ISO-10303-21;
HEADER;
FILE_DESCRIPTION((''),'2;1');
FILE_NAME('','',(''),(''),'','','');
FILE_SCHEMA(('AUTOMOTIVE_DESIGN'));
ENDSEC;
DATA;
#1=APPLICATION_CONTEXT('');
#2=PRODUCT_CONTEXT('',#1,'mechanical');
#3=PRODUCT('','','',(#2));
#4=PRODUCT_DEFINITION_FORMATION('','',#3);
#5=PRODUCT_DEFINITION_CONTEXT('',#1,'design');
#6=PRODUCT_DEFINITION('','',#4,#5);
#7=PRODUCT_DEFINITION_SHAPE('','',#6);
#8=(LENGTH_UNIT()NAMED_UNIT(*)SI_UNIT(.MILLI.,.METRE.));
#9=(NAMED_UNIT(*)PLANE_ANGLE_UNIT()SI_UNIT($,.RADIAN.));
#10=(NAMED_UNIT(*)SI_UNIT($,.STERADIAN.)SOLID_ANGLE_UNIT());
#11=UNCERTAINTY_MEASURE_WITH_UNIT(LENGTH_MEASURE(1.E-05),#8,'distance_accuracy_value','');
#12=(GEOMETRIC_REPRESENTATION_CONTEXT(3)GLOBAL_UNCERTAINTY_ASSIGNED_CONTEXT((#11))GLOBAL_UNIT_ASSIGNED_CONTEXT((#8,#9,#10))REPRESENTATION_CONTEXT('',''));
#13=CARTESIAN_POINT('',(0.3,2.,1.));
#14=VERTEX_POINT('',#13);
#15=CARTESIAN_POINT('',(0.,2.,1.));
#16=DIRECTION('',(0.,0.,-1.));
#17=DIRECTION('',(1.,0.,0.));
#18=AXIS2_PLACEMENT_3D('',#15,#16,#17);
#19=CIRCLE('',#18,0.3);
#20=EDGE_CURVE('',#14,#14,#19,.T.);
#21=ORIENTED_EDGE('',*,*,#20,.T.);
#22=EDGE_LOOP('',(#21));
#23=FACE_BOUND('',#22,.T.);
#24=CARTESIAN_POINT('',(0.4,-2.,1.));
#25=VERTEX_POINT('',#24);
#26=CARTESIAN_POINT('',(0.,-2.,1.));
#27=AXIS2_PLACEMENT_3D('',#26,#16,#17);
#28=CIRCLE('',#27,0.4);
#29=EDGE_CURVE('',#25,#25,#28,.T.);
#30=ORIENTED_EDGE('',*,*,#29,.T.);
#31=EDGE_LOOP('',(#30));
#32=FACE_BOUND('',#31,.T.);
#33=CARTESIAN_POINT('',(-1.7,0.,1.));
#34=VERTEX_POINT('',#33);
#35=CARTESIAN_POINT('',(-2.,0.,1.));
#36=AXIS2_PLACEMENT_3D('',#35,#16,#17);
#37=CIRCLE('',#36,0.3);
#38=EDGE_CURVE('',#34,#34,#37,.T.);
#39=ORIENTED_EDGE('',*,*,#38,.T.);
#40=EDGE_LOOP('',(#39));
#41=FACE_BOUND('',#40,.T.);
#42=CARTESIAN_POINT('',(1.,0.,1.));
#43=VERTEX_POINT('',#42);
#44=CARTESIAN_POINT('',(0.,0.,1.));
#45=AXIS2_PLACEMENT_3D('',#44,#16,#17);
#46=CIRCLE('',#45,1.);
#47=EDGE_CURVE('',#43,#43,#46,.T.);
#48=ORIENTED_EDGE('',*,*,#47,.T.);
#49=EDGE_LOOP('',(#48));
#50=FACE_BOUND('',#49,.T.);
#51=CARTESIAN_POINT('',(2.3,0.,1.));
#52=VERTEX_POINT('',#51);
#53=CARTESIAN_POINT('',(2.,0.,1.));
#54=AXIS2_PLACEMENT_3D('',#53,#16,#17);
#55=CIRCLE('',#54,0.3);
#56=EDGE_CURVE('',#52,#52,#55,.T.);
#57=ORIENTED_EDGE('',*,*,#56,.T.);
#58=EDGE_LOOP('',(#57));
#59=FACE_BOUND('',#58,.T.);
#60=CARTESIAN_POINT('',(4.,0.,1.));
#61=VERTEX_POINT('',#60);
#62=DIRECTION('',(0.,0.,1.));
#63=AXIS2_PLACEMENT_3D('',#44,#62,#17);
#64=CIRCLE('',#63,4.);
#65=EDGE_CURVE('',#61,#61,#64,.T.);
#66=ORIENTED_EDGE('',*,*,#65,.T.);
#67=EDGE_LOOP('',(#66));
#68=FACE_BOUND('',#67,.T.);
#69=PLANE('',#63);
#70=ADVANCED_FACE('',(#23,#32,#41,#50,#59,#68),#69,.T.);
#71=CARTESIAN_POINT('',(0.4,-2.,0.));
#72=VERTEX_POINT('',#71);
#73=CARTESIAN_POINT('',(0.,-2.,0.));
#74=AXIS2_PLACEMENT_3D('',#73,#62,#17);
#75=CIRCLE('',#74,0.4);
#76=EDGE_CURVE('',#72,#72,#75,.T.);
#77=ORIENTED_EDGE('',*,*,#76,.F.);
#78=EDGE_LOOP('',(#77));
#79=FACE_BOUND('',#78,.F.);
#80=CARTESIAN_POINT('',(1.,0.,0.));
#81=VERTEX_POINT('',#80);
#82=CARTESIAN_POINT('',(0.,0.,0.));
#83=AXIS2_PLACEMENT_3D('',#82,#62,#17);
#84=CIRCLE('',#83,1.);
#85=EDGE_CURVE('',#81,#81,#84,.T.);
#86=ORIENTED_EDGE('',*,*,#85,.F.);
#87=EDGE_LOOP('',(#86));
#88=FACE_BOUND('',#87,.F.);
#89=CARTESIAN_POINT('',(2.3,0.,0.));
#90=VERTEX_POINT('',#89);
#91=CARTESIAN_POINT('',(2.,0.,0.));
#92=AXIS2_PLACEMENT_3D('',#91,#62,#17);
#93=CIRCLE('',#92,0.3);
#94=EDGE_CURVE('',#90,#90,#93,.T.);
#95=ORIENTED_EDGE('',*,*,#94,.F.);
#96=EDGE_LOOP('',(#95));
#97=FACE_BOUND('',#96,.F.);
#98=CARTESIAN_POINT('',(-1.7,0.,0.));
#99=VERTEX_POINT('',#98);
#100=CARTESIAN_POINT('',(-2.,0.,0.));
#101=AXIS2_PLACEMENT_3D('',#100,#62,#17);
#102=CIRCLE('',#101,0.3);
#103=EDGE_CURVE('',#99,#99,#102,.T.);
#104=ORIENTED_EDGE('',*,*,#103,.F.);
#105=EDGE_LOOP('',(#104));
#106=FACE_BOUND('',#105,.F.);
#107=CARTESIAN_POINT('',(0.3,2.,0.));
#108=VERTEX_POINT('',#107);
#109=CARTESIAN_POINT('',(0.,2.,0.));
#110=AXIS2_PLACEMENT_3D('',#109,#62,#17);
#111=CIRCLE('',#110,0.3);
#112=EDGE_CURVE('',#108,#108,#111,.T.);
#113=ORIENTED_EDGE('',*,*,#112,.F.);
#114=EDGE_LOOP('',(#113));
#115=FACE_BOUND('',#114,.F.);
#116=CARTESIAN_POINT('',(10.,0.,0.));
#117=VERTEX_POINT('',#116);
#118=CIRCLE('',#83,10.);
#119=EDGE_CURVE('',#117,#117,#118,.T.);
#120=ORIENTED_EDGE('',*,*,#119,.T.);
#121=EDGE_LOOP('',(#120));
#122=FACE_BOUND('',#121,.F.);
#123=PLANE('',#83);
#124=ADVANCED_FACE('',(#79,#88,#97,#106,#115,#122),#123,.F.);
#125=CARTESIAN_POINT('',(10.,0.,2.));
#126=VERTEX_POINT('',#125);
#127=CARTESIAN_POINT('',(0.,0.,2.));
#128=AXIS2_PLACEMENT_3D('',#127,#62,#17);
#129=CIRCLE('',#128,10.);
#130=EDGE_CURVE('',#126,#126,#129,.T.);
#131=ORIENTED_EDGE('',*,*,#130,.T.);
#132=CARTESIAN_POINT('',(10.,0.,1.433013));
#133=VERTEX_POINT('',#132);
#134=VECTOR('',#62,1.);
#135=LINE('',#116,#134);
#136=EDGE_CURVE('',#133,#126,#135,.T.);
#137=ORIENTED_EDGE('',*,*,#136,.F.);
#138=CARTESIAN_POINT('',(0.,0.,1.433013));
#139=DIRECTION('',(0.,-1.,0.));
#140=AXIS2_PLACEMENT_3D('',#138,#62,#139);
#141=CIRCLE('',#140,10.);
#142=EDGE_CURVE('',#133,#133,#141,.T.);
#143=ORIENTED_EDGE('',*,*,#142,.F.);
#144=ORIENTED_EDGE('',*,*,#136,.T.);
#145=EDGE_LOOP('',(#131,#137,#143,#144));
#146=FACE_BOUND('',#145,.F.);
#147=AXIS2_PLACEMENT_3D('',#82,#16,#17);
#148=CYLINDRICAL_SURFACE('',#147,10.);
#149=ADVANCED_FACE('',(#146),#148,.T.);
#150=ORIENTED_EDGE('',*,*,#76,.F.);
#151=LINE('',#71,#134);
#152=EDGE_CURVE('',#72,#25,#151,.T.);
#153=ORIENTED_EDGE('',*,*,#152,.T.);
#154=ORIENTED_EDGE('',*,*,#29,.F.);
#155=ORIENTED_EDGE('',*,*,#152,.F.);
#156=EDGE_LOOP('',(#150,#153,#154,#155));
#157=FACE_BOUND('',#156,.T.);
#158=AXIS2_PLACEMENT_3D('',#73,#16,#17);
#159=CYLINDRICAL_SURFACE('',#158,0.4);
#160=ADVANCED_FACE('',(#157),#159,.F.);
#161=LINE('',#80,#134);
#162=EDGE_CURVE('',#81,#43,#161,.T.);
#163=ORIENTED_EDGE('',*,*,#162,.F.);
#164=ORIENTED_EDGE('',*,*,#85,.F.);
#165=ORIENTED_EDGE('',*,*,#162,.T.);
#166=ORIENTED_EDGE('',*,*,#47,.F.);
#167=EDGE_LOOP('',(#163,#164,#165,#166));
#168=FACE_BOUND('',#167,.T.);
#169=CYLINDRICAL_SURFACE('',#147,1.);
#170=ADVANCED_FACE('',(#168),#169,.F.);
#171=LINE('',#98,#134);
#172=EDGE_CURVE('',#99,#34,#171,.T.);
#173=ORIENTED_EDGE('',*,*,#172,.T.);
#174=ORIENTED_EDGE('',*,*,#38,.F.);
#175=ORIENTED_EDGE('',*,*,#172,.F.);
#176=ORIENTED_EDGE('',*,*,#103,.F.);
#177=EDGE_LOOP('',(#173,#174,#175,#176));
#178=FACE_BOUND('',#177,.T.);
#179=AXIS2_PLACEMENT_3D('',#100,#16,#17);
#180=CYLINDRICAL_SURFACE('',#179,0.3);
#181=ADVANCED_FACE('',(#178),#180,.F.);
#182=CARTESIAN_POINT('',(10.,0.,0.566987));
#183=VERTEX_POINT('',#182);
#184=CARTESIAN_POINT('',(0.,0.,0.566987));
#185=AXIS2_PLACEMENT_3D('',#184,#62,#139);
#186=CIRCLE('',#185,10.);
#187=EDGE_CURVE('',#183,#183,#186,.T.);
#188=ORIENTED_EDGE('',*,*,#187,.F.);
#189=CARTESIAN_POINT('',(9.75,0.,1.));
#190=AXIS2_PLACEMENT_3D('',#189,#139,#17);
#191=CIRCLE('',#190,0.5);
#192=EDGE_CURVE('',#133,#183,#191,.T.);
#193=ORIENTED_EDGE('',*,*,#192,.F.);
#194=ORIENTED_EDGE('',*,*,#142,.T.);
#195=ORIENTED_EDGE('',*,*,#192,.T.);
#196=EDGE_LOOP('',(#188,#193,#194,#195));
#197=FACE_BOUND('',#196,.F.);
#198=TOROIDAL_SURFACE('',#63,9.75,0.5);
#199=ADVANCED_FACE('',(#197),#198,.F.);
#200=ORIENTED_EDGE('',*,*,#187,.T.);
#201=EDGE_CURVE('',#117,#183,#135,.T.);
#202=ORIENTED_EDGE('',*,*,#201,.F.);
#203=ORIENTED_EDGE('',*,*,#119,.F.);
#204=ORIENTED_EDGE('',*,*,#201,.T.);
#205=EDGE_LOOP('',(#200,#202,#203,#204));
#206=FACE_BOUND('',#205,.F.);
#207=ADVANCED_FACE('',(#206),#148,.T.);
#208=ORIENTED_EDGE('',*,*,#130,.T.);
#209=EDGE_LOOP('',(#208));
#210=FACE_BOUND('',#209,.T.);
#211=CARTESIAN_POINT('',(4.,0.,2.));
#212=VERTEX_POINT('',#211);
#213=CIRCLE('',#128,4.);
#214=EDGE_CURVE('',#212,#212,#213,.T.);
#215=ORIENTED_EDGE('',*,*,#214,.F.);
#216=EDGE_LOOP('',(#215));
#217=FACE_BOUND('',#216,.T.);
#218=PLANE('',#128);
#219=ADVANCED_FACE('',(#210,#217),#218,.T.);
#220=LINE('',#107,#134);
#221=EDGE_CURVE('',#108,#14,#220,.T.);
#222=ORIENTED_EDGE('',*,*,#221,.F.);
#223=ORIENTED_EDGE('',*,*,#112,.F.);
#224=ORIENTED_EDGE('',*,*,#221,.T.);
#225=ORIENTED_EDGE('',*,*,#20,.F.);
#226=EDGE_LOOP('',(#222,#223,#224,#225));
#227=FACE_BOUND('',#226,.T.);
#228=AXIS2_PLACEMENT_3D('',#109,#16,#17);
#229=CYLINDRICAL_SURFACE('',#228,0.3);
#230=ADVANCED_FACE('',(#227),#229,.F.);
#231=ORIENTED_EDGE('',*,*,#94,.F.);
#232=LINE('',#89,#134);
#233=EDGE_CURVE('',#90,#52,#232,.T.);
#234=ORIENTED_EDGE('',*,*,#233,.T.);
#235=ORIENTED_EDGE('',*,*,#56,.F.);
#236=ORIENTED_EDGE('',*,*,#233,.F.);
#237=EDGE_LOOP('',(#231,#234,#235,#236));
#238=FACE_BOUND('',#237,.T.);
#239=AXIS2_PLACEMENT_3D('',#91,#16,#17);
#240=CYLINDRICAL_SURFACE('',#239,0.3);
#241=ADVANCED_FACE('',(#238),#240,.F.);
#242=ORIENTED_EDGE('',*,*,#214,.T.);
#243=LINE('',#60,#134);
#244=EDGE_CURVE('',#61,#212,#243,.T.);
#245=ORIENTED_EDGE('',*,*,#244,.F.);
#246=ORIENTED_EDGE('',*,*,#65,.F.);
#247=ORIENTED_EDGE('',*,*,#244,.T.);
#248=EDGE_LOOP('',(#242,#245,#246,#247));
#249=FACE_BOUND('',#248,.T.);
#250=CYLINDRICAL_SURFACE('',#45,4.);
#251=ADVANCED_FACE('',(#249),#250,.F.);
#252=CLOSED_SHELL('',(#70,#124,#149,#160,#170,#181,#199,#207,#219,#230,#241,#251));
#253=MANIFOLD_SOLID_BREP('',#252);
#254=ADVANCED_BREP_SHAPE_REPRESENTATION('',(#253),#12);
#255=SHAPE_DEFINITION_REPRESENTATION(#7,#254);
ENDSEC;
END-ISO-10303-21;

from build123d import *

# Parameters (mm, degrees)
CYLINDER006_R     = 0.4
CYLINDER006_DEPTH = 10
CYLINDER005_R     = 0.3
CYLINDER005_DEPTH = 10
CYLINDER004_R     = 0.3
CYLINDER004_DEPTH = 10
CYLINDER003_R     = 0.3
CYLINDER003_DEPTH = 10
CYLINDER002_R     = 1
CYLINDER002_DEPTH = 10
CYLINDER001_R     = 4
CYLINDER001_DEPTH = 1
TORUS_R           = 0.5
CYLINDER_R        = 10
CYLINDER_DEPTH    = 2


with BuildPart() as cilindro006:
    # Cylinder006 → Cylinder006 (new body)
    with BuildSketch(Plane(origin=(0, -2, 0), x_dir=(1, 0, 0), z_dir=(0, 0, 1))):
        Circle(CYLINDER006_R)
    extrude(amount=CYLINDER006_DEPTH)


with BuildPart() as cilindro005:
    # Cylinder005 → Cylinder005 (new body)
    with BuildSketch(Plane(origin=(0, 2, 0), x_dir=(1, 0, 0), z_dir=(0, 0, 1))):
        Circle(CYLINDER005_R)
    extrude(amount=CYLINDER005_DEPTH)


with BuildPart() as cilindro004:
    # Cylinder004 → Cylinder004 (new body)
    with BuildSketch(Plane(origin=(2, 0, 0), x_dir=(1, 0, 0), z_dir=(0, 0, 1))):
        Circle(CYLINDER004_R)
    extrude(amount=CYLINDER004_DEPTH)


with BuildPart() as cilindro003:
    # Cylinder003 → Cylinder003 (new body)
    with BuildSketch(Plane(origin=(-2, 0, 0), x_dir=(1, 0, 0), z_dir=(0, 0, 1))):
        Circle(CYLINDER003_R)
    extrude(amount=CYLINDER003_DEPTH)


with BuildPart() as cilindro002:
    # Cylinder002 → Cylinder002 (new body)
    with BuildSketch(Plane.XY):
        Circle(CYLINDER002_R)
    extrude(amount=CYLINDER002_DEPTH)


with BuildPart() as cilindro001:
    # Cylinder001 → Cylinder001 (new body)
    with BuildSketch(Plane.XY.offset(1)):
        Circle(CYLINDER001_R)
    extrude(amount=CYLINDER001_DEPTH)


with BuildPart() as toro:
    # Torus → Torus (revolve)
    with BuildSketch(Plane(origin=(0, 0, 1), x_dir=(1, 0, 0), z_dir=(0, -1, 0))):
        with Locations((9.75, 0)):
            Circle(TORUS_R)
    revolve(axis=Axis((0, 0, 1), (0, 0, 1)))


with BuildPart() as rueda:
    # Cylinder → Cylinder (new body)
    with BuildSketch(Plane.XY):
        Circle(CYLINDER_R)
    extrude(amount=CYLINDER_DEPTH)

    # Cut: cut Toro
    add(toro.part, mode=Mode.SUBTRACT)

    # Cut001: cut Cilindro001
    add(cilindro001.part, mode=Mode.SUBTRACT)

    # Cut002: cut Cilindro002
    add(cilindro002.part, mode=Mode.SUBTRACT)

    # Cut003: cut Cilindro003
    add(cilindro003.part, mode=Mode.SUBTRACT)

    # Cut004: cut Cilindro004
    add(cilindro004.part, mode=Mode.SUBTRACT)

    # Cut005: cut Cilindro005
    add(cilindro005.part, mode=Mode.SUBTRACT)

    # Cut006: cut Cilindro006
    add(cilindro006.part, mode=Mode.SUBTRACT)


solid = rueda.part
